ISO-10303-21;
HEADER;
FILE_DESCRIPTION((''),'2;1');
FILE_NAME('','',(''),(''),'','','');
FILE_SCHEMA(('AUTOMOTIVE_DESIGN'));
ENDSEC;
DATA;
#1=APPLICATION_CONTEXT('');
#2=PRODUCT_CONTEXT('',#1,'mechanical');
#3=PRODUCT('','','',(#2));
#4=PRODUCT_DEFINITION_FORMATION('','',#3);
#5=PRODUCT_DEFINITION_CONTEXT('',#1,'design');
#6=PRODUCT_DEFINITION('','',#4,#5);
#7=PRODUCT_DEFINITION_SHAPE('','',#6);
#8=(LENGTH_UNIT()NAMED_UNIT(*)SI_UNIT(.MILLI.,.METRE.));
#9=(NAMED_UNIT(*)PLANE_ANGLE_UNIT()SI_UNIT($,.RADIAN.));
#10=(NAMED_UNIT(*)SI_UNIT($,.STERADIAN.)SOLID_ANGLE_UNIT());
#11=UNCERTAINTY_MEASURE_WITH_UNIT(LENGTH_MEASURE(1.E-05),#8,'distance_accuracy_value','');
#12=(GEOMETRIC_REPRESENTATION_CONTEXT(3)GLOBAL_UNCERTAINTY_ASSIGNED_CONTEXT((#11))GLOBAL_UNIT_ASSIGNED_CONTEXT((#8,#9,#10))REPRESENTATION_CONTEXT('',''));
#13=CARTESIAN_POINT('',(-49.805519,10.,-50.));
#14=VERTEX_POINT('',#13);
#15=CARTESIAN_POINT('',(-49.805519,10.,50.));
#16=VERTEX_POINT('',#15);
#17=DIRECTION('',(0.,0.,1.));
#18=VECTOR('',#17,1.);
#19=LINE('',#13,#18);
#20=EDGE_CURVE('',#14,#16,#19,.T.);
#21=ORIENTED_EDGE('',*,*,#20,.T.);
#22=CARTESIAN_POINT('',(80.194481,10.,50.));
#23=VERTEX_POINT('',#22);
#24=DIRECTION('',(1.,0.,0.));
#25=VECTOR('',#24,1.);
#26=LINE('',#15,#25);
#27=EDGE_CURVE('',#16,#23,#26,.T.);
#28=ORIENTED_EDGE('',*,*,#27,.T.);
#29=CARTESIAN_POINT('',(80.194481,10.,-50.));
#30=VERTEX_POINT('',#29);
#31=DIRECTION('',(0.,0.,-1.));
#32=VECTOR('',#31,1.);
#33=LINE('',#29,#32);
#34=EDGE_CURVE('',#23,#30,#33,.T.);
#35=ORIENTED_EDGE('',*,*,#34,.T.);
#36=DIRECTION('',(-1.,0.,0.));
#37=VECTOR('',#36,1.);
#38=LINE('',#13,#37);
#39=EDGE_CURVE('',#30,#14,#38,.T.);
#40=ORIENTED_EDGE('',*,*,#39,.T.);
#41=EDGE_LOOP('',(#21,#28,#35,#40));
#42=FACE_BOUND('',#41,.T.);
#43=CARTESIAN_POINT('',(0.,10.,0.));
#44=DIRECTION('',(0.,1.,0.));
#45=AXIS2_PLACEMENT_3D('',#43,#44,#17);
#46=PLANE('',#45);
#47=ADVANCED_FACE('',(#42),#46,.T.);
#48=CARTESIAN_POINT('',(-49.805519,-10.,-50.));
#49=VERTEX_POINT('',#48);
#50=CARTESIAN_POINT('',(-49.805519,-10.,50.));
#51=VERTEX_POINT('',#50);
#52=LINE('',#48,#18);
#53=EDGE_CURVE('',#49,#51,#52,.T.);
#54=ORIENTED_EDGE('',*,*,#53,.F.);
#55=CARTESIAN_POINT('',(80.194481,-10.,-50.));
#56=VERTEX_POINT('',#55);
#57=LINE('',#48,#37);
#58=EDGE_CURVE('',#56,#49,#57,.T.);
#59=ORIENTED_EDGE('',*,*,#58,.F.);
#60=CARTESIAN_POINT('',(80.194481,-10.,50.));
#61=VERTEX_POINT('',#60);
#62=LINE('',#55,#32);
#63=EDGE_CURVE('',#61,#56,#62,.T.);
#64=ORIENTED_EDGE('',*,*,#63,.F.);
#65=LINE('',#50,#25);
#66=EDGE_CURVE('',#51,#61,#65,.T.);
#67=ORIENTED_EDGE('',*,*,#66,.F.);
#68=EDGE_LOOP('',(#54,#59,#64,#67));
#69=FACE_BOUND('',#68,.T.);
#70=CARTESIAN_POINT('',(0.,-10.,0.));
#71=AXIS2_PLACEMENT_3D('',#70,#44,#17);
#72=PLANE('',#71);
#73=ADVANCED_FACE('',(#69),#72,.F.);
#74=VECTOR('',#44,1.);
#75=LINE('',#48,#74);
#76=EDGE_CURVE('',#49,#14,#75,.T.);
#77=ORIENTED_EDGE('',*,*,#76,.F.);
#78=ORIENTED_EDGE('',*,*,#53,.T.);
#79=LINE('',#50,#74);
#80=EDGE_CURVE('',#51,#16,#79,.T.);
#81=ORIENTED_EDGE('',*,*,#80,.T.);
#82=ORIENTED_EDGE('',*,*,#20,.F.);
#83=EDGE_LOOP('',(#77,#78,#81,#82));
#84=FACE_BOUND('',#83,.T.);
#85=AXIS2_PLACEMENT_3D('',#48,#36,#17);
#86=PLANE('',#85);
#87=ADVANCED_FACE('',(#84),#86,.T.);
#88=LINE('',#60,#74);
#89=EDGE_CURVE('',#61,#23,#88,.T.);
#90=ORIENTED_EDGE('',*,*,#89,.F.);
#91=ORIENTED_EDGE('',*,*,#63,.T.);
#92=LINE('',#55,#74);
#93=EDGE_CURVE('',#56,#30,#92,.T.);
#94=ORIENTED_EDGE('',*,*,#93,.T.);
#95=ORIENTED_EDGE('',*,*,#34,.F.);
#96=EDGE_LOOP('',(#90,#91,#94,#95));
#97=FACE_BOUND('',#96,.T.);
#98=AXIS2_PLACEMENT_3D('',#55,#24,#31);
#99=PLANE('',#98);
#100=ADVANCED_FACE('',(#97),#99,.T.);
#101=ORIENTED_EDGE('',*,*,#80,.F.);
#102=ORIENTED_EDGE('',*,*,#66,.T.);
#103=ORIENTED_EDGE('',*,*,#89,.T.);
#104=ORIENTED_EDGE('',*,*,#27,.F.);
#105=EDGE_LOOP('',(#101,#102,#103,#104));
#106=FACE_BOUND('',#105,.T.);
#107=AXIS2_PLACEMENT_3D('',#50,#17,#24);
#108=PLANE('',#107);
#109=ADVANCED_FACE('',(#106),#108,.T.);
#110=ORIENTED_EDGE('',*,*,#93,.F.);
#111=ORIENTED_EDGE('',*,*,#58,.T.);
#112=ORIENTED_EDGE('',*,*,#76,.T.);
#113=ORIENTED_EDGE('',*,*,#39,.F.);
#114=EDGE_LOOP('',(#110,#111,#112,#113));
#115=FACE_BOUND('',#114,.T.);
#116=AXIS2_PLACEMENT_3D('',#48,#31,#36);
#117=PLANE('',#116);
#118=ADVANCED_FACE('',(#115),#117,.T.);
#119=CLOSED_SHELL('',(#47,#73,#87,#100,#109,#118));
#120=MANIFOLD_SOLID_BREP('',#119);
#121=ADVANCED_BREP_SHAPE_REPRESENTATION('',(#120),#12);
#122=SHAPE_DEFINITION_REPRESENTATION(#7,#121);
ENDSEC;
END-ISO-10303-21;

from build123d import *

# Parameters (mm, degrees)
RESSALTO_EXTRUS_O1_DEPTH      = 10
RESSALTO_EXTRUS_O1_DEPTH_BACK = 10
ESBO_O1_W                     = 130
ESBO_O1_H                     = 100


with BuildPart() as part:
    # Esboço1 → Ressalto-extrusão1 (new, two sides: drawn at the far end of the back side and taken through both)
    with BuildSketch(Plane(origin=(0, 0, 0), x_dir=(1, 0, 0), z_dir=(0, 1, 0)).offset(-RESSALTO_EXTRUS_O1_DEPTH_BACK)):
        with Locations((15.194480663, 0)):
            Rectangle(ESBO_O1_W, ESBO_O1_H)
    extrude(amount=RESSALTO_EXTRUS_O1_DEPTH + RESSALTO_EXTRUS_O1_DEPTH_BACK)


solid = part.part
